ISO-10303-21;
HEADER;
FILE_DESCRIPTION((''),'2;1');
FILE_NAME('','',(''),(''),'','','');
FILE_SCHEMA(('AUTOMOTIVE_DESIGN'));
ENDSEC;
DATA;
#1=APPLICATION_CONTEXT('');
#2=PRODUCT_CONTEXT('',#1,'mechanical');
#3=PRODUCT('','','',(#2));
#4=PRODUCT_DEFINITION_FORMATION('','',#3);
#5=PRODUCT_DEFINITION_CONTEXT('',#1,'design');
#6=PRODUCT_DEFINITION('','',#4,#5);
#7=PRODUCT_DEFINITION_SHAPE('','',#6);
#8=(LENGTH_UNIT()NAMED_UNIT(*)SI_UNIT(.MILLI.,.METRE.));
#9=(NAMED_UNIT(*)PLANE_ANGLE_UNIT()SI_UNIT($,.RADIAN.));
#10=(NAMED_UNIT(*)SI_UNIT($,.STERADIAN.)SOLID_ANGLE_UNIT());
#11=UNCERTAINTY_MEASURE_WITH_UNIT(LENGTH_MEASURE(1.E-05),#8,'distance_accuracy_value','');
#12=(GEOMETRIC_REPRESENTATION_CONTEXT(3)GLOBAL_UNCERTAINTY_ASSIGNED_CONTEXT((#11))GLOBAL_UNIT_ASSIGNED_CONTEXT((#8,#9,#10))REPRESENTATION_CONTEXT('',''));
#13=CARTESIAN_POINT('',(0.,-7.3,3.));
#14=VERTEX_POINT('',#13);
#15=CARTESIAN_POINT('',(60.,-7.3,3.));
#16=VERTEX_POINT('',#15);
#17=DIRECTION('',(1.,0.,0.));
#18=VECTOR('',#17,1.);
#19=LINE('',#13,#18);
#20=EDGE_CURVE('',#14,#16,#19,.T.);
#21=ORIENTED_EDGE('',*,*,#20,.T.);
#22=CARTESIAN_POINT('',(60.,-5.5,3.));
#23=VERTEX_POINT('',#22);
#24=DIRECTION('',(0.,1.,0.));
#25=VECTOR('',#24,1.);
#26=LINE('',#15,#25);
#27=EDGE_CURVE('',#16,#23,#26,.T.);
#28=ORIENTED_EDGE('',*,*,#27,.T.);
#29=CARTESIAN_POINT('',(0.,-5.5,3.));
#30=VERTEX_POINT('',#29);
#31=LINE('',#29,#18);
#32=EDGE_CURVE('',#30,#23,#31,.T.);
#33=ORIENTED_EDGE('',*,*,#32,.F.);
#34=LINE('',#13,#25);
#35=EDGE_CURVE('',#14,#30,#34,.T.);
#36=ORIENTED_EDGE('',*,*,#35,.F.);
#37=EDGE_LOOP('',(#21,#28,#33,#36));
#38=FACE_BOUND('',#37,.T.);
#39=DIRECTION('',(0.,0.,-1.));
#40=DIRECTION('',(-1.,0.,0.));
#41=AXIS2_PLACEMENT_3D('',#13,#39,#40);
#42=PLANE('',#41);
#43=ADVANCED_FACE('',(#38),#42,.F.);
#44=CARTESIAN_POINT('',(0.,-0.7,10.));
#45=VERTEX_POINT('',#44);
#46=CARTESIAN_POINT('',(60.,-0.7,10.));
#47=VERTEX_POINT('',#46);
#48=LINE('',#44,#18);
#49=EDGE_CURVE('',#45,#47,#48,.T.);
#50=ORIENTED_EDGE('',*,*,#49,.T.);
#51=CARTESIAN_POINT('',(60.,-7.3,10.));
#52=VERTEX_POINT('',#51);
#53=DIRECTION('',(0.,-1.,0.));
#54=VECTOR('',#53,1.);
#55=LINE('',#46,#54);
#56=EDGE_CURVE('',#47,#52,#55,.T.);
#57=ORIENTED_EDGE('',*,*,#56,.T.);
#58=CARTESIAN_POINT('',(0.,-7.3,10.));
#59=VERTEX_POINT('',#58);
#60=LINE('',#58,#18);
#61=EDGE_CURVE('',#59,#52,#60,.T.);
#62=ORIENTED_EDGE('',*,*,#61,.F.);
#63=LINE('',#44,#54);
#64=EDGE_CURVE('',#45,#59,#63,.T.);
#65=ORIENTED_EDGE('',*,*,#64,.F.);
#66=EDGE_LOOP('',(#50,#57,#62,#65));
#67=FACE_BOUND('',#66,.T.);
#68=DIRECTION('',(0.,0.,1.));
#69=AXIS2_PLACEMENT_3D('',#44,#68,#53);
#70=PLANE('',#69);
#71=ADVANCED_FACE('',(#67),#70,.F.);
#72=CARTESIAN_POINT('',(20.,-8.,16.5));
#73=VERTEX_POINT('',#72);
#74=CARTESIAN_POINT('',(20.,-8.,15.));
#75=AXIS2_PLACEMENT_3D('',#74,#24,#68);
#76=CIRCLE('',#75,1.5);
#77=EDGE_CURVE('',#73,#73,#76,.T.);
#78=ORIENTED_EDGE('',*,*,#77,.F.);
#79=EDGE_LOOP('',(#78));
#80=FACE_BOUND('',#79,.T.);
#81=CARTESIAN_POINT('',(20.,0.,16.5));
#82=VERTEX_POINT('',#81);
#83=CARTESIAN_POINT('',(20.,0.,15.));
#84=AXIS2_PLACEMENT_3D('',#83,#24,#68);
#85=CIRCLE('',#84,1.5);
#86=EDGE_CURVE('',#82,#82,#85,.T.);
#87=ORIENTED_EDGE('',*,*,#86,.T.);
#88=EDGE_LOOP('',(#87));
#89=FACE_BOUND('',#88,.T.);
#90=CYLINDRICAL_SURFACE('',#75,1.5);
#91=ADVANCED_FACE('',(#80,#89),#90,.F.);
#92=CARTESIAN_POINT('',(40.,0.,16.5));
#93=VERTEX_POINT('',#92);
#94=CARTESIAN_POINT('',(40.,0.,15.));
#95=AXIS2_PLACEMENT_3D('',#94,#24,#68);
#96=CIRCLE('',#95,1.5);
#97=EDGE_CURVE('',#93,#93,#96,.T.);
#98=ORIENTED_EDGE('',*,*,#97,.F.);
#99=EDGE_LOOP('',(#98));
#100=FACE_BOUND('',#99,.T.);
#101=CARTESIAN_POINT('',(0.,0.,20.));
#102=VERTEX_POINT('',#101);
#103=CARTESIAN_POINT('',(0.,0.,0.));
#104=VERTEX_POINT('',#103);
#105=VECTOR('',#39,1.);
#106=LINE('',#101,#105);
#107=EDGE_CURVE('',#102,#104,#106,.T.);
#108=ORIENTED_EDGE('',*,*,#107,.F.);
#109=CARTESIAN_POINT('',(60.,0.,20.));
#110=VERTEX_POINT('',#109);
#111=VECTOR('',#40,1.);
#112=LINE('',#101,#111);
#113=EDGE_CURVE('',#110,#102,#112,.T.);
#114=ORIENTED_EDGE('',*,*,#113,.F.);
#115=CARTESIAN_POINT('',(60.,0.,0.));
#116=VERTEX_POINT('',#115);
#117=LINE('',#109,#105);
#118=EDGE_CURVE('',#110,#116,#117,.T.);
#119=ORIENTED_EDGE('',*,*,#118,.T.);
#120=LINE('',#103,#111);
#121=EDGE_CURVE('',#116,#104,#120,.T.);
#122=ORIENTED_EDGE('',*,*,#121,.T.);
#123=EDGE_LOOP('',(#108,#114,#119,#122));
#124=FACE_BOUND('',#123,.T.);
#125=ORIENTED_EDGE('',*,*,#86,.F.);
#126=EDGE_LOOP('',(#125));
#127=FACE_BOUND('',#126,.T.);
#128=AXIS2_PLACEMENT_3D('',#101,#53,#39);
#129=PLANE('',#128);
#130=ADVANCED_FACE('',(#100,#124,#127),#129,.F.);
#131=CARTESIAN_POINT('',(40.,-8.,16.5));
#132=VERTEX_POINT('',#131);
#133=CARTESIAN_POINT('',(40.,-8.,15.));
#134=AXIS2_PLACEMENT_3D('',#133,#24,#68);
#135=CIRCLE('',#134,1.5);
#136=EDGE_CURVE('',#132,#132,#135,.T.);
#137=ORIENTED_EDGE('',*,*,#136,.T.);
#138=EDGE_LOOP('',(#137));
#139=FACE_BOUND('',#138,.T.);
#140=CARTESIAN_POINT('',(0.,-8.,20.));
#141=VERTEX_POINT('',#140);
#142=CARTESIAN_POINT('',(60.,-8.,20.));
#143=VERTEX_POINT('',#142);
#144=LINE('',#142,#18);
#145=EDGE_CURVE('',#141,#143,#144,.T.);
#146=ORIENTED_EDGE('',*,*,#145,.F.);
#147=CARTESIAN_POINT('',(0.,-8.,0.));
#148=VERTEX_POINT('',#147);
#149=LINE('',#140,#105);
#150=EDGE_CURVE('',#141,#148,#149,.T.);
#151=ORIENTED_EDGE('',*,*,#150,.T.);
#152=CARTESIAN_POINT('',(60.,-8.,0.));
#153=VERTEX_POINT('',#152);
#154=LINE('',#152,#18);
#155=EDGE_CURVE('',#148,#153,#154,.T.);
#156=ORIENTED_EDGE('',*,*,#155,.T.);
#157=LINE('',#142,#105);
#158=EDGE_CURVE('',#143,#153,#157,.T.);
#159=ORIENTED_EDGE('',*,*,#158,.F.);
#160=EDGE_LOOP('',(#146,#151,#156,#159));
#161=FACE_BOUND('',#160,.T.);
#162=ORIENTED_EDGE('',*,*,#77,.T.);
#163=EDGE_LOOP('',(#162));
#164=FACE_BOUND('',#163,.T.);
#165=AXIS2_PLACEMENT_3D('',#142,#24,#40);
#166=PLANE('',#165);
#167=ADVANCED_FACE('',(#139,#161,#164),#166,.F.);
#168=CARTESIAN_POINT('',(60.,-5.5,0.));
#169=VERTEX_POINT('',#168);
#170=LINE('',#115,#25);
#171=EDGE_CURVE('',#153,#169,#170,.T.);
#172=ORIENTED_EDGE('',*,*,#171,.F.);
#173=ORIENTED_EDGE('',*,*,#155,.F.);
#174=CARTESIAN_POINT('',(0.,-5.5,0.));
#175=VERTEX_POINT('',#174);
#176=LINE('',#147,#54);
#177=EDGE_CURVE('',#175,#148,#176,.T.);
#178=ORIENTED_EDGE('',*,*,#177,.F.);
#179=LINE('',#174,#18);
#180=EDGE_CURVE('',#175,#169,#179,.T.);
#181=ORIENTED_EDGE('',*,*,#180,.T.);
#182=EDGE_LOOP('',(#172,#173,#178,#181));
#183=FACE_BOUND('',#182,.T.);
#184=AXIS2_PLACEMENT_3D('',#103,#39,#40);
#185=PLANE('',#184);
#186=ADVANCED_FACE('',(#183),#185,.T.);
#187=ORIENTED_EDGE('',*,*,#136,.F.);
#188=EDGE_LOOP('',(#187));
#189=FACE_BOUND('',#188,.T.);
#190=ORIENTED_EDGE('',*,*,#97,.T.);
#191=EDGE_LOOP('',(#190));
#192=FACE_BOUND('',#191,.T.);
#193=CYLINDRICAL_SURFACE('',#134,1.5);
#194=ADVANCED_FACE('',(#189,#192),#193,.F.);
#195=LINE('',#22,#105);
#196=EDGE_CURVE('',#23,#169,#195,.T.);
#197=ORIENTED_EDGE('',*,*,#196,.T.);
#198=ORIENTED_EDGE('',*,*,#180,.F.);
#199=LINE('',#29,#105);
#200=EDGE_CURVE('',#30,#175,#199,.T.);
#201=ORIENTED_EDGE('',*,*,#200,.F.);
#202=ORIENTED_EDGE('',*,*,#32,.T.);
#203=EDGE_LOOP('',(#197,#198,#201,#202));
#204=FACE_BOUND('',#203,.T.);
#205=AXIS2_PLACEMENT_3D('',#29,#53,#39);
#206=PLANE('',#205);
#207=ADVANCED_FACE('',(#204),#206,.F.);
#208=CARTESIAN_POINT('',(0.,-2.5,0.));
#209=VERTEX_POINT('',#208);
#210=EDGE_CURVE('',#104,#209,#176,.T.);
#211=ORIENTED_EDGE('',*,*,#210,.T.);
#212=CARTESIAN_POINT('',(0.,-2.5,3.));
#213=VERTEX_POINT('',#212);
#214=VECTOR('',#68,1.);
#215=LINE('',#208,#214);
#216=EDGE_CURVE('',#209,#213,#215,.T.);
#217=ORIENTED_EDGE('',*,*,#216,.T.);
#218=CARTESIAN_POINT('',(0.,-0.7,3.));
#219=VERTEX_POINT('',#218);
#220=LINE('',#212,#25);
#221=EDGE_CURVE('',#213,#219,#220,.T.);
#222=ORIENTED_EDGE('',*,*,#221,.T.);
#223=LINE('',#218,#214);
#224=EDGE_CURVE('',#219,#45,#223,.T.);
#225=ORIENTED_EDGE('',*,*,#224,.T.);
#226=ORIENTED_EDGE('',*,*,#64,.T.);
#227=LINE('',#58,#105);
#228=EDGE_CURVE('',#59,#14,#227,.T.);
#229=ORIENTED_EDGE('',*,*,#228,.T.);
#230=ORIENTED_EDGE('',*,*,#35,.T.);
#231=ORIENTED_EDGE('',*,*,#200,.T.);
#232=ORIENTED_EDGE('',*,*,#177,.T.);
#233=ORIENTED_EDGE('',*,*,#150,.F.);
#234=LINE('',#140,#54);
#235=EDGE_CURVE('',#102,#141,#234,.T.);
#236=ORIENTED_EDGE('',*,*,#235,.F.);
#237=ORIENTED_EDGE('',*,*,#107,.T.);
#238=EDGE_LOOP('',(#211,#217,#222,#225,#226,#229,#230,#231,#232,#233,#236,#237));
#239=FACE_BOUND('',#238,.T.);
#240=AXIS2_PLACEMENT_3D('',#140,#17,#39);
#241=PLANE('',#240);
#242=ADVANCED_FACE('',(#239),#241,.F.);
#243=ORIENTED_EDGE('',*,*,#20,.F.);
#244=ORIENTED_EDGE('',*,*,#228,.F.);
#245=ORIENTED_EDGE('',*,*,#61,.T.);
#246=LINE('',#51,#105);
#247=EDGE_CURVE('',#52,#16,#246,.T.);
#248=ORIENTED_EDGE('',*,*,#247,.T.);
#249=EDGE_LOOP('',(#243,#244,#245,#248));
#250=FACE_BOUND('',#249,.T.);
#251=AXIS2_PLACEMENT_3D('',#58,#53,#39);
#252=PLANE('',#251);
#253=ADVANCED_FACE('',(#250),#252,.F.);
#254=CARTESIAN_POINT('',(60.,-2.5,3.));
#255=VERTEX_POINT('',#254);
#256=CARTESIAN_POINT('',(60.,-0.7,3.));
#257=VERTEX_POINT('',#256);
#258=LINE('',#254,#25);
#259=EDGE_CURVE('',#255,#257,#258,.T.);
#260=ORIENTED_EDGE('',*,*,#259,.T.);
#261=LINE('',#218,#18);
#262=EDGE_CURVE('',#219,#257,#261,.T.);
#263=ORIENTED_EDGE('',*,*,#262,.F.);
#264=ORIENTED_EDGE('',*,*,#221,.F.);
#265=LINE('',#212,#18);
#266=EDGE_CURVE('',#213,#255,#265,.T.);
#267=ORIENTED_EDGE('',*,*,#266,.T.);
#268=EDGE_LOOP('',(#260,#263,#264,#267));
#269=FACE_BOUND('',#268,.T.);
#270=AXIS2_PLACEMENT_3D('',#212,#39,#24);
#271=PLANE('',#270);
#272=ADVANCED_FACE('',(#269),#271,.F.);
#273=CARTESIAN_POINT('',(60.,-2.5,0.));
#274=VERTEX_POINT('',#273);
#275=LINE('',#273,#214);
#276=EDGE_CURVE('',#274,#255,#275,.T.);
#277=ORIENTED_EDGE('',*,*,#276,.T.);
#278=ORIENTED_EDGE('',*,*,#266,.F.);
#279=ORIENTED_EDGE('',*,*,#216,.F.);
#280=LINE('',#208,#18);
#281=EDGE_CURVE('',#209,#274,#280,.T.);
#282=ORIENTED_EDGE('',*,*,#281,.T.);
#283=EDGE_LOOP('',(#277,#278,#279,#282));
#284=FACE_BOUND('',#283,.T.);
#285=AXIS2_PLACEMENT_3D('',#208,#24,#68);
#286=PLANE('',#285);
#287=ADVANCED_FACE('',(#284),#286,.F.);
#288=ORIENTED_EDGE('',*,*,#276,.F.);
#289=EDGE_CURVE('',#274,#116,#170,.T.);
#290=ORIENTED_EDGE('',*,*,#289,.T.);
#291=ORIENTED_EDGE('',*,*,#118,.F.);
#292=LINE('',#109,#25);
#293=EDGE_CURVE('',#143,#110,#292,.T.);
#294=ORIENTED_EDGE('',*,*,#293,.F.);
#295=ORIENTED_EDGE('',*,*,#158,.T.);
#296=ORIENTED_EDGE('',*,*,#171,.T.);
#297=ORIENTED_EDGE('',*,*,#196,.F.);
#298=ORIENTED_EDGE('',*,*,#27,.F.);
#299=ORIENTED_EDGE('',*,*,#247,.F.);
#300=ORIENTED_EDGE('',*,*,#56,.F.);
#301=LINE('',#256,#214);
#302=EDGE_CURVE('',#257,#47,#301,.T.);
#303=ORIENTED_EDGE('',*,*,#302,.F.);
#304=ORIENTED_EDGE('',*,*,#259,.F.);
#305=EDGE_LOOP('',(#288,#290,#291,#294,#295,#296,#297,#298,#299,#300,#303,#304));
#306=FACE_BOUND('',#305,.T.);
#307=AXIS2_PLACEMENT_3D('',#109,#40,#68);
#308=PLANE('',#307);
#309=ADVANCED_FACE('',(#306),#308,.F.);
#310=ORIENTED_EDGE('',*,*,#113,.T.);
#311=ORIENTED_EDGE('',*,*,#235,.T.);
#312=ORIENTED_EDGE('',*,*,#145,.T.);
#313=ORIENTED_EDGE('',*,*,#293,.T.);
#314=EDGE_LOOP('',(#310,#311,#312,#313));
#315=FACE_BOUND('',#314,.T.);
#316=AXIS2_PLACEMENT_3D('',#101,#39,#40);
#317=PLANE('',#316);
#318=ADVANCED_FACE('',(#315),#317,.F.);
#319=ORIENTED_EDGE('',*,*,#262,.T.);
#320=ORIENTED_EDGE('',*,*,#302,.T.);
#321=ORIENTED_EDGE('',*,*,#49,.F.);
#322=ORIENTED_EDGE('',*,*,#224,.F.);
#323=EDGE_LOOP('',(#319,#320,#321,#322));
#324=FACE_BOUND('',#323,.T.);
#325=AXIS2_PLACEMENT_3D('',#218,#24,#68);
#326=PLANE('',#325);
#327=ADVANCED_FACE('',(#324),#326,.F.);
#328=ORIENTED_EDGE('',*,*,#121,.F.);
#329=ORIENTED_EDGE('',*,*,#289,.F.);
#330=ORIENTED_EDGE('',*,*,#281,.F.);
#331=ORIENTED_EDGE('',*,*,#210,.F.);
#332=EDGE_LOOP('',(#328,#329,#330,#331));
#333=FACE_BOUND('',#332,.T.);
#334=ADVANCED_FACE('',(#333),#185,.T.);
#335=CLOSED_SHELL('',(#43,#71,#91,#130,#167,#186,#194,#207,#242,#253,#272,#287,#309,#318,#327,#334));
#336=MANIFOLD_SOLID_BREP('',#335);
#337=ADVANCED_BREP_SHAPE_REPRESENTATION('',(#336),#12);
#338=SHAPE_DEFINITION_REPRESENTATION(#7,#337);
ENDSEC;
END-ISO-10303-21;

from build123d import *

# Parameters (mm, degrees)
SKETCH1_W           = 60
SKETCH1_H           = 8
BOSS_EXTRUDE1_DEPTH = 20
CUT_EXTRUDE1_DEPTH  = 64.749509802
SKETCH4_R           = 1.5
CUT_EXTRUDE2_DEPTH  = 64.749509802


with BuildPart() as part:
    # Sketch1 → Boss-Extrude1 (new body)
    with BuildSketch(Plane.XY):
        with Locations((30, -4)):
            Rectangle(SKETCH1_W, SKETCH1_H)
    extrude(amount=BOSS_EXTRUDE1_DEPTH)

    # Sketch2 → Cut-Extrude1 (cut, through all)
    with BuildSketch(Plane(origin=(60, 0, 0), x_dir=(0, 0, -1), z_dir=(1, 0, 0))):
        Polygon((0, -4), (0, -2.5), (-3, -2.5), (-3, -0.7), (-10, -0.7), (-10, -7.3), (-3, -7.3), (-3, -5.5), (0, -5.5), align=None)
    extrude(amount=-CUT_EXTRUDE1_DEPTH, mode=Mode.SUBTRACT)

    # Sketch4 → Cut-Extrude2 (cut, through all)
    with BuildSketch(Plane(origin=(0, 0, 0), x_dir=(1, 0, 0), z_dir=(0, 1, 0))):
        with Locations(Location((40, -15, 0), (0, 0, 270))):
            Circle(SKETCH4_R)
        with Locations(Location((20, -15, 0), (0, 0, 270))):
            Circle(SKETCH4_R)
    extrude(amount=-CUT_EXTRUDE2_DEPTH, mode=Mode.SUBTRACT)


solid = part.part
